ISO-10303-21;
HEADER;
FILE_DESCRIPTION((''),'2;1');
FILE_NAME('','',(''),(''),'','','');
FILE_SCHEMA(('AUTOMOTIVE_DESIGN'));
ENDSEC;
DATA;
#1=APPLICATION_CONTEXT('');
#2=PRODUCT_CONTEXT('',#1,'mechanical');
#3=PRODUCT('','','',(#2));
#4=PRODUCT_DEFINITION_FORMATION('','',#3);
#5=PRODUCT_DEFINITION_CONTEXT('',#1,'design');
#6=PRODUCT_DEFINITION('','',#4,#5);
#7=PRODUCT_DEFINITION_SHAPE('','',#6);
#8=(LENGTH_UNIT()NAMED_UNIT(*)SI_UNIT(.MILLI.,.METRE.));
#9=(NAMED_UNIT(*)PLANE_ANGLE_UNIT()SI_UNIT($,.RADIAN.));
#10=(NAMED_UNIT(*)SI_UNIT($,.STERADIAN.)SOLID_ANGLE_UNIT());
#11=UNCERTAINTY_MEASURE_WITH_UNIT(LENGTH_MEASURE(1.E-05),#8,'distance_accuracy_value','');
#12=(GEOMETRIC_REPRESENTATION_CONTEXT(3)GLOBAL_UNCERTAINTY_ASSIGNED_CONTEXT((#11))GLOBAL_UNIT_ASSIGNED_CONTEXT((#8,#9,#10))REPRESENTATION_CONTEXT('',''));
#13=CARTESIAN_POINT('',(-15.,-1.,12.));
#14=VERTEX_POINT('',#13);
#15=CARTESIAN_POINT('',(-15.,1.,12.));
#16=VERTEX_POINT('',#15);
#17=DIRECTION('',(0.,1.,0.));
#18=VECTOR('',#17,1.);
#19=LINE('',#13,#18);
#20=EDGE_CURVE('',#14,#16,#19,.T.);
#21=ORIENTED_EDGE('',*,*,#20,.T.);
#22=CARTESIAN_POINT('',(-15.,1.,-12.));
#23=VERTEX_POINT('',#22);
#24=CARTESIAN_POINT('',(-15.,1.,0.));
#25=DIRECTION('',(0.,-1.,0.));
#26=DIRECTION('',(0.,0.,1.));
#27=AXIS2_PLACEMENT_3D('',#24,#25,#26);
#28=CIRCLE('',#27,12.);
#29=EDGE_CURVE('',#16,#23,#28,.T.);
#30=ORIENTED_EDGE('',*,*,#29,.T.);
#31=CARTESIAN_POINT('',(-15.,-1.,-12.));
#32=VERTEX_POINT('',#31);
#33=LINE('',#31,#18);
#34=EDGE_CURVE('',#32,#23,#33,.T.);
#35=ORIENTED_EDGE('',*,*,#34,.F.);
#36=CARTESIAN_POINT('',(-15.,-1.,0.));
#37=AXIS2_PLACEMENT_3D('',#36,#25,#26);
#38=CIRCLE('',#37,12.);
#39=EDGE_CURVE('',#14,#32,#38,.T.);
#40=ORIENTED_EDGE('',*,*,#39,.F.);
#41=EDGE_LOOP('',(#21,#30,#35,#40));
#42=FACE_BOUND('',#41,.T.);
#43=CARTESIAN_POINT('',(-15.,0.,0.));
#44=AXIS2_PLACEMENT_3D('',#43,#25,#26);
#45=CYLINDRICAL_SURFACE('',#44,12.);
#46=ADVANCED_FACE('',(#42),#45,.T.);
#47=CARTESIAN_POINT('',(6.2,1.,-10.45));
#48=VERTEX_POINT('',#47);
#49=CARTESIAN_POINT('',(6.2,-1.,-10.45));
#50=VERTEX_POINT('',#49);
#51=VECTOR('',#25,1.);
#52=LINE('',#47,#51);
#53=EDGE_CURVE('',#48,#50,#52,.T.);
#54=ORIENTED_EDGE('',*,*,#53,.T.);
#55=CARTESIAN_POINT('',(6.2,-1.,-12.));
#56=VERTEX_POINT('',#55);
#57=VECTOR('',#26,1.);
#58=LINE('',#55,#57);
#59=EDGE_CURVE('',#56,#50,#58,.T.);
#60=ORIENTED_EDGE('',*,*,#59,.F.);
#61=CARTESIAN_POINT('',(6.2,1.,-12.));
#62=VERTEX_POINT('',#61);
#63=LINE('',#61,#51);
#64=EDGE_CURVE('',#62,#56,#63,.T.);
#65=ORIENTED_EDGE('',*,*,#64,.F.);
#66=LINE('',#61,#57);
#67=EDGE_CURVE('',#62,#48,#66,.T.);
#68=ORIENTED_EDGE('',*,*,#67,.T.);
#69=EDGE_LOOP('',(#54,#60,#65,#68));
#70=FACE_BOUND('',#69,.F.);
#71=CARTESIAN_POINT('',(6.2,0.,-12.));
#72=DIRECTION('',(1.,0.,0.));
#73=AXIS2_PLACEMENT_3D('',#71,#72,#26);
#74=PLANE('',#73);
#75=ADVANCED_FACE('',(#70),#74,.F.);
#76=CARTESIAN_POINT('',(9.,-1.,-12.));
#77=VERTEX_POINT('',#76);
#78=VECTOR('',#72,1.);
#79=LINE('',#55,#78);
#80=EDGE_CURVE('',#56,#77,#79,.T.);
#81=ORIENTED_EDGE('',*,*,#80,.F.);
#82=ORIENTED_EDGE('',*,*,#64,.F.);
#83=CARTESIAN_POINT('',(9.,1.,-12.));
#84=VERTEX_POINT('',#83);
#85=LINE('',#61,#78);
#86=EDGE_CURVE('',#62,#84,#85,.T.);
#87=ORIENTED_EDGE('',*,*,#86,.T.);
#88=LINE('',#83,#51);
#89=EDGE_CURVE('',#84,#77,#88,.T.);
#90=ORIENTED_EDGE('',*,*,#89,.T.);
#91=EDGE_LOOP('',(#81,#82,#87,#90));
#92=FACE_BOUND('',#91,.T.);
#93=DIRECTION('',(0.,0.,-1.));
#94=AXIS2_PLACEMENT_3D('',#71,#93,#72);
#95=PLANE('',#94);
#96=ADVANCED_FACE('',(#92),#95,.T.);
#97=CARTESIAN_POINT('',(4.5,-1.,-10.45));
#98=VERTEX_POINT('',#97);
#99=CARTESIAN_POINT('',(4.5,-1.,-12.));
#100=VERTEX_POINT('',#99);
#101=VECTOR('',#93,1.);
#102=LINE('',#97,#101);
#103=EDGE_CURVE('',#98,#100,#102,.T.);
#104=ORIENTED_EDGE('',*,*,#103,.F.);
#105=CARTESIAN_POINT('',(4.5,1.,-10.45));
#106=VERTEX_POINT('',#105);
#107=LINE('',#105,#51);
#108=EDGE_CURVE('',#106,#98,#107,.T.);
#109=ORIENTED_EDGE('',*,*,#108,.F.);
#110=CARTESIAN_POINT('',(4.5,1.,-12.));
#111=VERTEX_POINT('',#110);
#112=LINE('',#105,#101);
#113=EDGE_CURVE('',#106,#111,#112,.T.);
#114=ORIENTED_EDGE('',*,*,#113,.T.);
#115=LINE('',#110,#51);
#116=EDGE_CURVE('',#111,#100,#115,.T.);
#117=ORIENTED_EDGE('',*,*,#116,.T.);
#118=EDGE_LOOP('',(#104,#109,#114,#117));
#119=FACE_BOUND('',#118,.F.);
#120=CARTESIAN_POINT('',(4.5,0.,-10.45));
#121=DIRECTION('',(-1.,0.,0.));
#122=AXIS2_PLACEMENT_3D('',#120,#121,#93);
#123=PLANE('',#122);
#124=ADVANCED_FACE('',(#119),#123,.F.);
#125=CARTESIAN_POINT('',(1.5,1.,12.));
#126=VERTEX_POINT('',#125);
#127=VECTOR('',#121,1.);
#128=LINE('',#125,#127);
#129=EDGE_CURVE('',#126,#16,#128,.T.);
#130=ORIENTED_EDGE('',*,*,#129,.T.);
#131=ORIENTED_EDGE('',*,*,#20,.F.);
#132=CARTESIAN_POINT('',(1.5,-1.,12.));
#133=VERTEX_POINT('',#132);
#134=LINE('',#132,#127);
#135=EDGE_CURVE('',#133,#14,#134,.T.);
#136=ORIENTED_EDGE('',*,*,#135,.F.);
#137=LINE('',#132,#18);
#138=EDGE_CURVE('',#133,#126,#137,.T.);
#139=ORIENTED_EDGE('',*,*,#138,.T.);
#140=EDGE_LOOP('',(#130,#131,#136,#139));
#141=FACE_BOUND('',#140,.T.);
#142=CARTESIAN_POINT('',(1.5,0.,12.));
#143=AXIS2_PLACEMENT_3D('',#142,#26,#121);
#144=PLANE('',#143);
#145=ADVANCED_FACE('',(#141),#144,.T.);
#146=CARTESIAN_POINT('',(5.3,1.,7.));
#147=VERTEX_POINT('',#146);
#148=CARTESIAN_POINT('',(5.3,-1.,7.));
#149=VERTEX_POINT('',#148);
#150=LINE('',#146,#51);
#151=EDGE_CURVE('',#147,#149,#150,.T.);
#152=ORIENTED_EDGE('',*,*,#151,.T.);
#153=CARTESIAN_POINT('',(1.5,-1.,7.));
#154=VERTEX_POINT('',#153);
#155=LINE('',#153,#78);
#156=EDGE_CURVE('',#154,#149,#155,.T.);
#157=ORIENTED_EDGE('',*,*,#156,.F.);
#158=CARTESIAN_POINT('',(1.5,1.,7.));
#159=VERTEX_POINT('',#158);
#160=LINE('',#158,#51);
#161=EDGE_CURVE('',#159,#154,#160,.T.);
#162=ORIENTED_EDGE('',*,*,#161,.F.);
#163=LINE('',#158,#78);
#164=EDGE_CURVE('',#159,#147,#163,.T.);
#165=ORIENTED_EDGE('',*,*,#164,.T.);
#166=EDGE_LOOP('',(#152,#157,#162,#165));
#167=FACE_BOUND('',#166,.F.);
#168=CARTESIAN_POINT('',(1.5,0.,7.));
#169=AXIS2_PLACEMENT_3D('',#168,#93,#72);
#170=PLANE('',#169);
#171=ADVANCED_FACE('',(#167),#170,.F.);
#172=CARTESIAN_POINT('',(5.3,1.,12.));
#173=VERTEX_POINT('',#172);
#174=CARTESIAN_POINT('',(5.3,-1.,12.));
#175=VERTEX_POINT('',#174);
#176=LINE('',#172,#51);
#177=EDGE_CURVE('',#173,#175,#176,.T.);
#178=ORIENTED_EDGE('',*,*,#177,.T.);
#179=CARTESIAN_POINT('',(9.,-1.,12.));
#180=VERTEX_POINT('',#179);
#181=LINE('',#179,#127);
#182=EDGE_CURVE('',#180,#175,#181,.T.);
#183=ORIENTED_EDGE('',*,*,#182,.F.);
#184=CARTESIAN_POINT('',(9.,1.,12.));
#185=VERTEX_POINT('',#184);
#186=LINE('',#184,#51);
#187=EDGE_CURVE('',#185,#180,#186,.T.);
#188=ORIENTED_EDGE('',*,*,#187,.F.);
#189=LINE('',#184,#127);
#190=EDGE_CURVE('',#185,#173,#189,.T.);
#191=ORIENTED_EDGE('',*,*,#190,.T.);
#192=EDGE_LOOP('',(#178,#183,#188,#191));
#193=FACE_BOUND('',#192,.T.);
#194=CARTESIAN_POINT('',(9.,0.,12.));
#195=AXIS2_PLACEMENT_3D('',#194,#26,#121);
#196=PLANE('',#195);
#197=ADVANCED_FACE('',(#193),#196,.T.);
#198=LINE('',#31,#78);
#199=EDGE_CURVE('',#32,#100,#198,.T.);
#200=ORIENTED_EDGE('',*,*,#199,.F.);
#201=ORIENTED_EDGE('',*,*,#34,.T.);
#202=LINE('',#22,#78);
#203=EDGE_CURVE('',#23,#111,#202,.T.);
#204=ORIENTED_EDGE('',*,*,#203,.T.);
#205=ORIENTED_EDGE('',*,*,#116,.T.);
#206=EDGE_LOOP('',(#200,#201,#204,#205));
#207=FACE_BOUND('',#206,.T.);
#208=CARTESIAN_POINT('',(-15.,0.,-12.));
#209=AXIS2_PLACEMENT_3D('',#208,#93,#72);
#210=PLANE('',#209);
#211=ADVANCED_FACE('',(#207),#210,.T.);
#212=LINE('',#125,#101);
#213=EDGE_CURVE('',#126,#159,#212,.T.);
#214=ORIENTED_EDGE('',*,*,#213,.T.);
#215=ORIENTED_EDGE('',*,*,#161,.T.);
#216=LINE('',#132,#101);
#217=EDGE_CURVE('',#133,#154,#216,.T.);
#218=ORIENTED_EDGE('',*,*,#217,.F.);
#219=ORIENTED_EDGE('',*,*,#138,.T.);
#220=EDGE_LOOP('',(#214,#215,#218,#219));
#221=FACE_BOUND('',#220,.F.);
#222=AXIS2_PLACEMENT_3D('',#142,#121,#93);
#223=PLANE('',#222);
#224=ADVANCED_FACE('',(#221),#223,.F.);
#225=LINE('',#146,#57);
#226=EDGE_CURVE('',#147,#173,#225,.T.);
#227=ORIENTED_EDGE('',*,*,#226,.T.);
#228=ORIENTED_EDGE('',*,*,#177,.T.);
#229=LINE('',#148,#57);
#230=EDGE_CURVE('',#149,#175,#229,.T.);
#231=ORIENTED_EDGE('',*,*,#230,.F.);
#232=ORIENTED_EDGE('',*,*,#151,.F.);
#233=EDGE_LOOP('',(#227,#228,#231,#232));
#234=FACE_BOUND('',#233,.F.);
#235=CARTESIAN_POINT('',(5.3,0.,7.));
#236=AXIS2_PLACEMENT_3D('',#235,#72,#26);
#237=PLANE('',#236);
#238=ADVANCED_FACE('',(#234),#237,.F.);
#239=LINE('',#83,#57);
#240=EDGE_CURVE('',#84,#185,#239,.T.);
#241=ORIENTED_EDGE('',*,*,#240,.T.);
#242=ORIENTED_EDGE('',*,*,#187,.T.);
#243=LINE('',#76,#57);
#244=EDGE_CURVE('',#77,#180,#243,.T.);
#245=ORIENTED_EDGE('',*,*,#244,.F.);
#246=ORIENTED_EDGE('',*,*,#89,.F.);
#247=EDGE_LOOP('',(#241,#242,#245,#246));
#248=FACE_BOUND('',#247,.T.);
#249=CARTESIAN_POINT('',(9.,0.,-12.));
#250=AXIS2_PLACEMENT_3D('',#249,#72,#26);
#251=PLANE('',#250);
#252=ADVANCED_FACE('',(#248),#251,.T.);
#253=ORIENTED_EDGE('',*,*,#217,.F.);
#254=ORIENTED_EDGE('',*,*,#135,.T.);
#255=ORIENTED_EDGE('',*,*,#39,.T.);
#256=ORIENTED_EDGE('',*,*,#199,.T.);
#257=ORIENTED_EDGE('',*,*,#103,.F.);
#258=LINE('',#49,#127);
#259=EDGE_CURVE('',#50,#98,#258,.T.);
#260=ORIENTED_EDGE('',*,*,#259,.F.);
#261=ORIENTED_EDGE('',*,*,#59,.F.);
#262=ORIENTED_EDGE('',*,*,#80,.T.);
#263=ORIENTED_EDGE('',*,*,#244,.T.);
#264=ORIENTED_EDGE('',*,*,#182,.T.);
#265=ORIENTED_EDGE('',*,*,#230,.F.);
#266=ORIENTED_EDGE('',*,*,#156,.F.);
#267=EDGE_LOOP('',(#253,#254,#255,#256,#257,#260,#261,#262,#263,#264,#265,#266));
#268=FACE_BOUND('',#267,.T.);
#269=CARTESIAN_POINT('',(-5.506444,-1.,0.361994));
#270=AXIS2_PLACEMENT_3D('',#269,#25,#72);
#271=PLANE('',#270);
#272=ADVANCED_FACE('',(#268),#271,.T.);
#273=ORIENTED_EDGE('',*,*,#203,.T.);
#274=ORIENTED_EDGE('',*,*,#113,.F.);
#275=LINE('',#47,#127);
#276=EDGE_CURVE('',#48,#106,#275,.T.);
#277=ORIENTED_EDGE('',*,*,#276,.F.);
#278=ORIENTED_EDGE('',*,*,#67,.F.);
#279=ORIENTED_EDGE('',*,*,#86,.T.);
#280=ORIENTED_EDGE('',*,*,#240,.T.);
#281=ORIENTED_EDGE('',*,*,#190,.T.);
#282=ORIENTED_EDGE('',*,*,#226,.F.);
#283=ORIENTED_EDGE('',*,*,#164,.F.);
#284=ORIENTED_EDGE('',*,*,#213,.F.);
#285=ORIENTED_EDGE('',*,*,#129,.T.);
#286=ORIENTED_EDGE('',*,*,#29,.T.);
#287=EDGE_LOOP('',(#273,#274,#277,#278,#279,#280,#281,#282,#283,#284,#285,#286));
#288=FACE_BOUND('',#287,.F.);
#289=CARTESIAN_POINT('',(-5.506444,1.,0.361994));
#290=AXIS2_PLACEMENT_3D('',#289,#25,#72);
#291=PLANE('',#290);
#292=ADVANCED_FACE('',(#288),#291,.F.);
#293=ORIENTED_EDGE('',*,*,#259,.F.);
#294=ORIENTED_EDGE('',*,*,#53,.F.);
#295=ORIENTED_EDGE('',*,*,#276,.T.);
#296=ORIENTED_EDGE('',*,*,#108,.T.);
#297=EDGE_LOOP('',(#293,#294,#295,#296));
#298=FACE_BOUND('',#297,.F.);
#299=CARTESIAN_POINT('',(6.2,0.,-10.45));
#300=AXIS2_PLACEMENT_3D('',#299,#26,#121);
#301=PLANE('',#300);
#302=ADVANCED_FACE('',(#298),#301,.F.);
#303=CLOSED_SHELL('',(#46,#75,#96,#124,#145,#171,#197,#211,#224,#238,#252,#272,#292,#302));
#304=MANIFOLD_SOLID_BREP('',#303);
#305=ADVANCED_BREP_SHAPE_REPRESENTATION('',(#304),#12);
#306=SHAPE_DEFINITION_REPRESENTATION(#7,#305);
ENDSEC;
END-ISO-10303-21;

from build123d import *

# Parameters (mm, degrees)
PAD_DEPTH = 1


with BuildPart() as part:
    # Sketch → Pad (new body, symmetric)
    with BuildSketch(Plane.XZ):
        with BuildLine():
            Line((-15, -12), (4.5, -12))
            Line((4.5, -10.45), (4.5, -12))
            Line((6.2, -10.45), (4.5, -10.45))
            Line((6.2, -12), (6.2, -10.45))
            Line((6.2, -12), (9, -12))
            Line((9, -12), (9, 12))
            Line((9, 12), (5.3, 12))
            Line((5.3, 7), (5.3, 12))
            Line((1.5, 7), (5.3, 7))
            Line((1.5, 12), (1.5, 7))
            Line((1.5, 12), (-15, 12))
            ThreePointArc((-15, 12), (-27, 0), (-15, -12))
        make_face()
    extrude(amount=PAD_DEPTH, both=True)


solid = part.part
